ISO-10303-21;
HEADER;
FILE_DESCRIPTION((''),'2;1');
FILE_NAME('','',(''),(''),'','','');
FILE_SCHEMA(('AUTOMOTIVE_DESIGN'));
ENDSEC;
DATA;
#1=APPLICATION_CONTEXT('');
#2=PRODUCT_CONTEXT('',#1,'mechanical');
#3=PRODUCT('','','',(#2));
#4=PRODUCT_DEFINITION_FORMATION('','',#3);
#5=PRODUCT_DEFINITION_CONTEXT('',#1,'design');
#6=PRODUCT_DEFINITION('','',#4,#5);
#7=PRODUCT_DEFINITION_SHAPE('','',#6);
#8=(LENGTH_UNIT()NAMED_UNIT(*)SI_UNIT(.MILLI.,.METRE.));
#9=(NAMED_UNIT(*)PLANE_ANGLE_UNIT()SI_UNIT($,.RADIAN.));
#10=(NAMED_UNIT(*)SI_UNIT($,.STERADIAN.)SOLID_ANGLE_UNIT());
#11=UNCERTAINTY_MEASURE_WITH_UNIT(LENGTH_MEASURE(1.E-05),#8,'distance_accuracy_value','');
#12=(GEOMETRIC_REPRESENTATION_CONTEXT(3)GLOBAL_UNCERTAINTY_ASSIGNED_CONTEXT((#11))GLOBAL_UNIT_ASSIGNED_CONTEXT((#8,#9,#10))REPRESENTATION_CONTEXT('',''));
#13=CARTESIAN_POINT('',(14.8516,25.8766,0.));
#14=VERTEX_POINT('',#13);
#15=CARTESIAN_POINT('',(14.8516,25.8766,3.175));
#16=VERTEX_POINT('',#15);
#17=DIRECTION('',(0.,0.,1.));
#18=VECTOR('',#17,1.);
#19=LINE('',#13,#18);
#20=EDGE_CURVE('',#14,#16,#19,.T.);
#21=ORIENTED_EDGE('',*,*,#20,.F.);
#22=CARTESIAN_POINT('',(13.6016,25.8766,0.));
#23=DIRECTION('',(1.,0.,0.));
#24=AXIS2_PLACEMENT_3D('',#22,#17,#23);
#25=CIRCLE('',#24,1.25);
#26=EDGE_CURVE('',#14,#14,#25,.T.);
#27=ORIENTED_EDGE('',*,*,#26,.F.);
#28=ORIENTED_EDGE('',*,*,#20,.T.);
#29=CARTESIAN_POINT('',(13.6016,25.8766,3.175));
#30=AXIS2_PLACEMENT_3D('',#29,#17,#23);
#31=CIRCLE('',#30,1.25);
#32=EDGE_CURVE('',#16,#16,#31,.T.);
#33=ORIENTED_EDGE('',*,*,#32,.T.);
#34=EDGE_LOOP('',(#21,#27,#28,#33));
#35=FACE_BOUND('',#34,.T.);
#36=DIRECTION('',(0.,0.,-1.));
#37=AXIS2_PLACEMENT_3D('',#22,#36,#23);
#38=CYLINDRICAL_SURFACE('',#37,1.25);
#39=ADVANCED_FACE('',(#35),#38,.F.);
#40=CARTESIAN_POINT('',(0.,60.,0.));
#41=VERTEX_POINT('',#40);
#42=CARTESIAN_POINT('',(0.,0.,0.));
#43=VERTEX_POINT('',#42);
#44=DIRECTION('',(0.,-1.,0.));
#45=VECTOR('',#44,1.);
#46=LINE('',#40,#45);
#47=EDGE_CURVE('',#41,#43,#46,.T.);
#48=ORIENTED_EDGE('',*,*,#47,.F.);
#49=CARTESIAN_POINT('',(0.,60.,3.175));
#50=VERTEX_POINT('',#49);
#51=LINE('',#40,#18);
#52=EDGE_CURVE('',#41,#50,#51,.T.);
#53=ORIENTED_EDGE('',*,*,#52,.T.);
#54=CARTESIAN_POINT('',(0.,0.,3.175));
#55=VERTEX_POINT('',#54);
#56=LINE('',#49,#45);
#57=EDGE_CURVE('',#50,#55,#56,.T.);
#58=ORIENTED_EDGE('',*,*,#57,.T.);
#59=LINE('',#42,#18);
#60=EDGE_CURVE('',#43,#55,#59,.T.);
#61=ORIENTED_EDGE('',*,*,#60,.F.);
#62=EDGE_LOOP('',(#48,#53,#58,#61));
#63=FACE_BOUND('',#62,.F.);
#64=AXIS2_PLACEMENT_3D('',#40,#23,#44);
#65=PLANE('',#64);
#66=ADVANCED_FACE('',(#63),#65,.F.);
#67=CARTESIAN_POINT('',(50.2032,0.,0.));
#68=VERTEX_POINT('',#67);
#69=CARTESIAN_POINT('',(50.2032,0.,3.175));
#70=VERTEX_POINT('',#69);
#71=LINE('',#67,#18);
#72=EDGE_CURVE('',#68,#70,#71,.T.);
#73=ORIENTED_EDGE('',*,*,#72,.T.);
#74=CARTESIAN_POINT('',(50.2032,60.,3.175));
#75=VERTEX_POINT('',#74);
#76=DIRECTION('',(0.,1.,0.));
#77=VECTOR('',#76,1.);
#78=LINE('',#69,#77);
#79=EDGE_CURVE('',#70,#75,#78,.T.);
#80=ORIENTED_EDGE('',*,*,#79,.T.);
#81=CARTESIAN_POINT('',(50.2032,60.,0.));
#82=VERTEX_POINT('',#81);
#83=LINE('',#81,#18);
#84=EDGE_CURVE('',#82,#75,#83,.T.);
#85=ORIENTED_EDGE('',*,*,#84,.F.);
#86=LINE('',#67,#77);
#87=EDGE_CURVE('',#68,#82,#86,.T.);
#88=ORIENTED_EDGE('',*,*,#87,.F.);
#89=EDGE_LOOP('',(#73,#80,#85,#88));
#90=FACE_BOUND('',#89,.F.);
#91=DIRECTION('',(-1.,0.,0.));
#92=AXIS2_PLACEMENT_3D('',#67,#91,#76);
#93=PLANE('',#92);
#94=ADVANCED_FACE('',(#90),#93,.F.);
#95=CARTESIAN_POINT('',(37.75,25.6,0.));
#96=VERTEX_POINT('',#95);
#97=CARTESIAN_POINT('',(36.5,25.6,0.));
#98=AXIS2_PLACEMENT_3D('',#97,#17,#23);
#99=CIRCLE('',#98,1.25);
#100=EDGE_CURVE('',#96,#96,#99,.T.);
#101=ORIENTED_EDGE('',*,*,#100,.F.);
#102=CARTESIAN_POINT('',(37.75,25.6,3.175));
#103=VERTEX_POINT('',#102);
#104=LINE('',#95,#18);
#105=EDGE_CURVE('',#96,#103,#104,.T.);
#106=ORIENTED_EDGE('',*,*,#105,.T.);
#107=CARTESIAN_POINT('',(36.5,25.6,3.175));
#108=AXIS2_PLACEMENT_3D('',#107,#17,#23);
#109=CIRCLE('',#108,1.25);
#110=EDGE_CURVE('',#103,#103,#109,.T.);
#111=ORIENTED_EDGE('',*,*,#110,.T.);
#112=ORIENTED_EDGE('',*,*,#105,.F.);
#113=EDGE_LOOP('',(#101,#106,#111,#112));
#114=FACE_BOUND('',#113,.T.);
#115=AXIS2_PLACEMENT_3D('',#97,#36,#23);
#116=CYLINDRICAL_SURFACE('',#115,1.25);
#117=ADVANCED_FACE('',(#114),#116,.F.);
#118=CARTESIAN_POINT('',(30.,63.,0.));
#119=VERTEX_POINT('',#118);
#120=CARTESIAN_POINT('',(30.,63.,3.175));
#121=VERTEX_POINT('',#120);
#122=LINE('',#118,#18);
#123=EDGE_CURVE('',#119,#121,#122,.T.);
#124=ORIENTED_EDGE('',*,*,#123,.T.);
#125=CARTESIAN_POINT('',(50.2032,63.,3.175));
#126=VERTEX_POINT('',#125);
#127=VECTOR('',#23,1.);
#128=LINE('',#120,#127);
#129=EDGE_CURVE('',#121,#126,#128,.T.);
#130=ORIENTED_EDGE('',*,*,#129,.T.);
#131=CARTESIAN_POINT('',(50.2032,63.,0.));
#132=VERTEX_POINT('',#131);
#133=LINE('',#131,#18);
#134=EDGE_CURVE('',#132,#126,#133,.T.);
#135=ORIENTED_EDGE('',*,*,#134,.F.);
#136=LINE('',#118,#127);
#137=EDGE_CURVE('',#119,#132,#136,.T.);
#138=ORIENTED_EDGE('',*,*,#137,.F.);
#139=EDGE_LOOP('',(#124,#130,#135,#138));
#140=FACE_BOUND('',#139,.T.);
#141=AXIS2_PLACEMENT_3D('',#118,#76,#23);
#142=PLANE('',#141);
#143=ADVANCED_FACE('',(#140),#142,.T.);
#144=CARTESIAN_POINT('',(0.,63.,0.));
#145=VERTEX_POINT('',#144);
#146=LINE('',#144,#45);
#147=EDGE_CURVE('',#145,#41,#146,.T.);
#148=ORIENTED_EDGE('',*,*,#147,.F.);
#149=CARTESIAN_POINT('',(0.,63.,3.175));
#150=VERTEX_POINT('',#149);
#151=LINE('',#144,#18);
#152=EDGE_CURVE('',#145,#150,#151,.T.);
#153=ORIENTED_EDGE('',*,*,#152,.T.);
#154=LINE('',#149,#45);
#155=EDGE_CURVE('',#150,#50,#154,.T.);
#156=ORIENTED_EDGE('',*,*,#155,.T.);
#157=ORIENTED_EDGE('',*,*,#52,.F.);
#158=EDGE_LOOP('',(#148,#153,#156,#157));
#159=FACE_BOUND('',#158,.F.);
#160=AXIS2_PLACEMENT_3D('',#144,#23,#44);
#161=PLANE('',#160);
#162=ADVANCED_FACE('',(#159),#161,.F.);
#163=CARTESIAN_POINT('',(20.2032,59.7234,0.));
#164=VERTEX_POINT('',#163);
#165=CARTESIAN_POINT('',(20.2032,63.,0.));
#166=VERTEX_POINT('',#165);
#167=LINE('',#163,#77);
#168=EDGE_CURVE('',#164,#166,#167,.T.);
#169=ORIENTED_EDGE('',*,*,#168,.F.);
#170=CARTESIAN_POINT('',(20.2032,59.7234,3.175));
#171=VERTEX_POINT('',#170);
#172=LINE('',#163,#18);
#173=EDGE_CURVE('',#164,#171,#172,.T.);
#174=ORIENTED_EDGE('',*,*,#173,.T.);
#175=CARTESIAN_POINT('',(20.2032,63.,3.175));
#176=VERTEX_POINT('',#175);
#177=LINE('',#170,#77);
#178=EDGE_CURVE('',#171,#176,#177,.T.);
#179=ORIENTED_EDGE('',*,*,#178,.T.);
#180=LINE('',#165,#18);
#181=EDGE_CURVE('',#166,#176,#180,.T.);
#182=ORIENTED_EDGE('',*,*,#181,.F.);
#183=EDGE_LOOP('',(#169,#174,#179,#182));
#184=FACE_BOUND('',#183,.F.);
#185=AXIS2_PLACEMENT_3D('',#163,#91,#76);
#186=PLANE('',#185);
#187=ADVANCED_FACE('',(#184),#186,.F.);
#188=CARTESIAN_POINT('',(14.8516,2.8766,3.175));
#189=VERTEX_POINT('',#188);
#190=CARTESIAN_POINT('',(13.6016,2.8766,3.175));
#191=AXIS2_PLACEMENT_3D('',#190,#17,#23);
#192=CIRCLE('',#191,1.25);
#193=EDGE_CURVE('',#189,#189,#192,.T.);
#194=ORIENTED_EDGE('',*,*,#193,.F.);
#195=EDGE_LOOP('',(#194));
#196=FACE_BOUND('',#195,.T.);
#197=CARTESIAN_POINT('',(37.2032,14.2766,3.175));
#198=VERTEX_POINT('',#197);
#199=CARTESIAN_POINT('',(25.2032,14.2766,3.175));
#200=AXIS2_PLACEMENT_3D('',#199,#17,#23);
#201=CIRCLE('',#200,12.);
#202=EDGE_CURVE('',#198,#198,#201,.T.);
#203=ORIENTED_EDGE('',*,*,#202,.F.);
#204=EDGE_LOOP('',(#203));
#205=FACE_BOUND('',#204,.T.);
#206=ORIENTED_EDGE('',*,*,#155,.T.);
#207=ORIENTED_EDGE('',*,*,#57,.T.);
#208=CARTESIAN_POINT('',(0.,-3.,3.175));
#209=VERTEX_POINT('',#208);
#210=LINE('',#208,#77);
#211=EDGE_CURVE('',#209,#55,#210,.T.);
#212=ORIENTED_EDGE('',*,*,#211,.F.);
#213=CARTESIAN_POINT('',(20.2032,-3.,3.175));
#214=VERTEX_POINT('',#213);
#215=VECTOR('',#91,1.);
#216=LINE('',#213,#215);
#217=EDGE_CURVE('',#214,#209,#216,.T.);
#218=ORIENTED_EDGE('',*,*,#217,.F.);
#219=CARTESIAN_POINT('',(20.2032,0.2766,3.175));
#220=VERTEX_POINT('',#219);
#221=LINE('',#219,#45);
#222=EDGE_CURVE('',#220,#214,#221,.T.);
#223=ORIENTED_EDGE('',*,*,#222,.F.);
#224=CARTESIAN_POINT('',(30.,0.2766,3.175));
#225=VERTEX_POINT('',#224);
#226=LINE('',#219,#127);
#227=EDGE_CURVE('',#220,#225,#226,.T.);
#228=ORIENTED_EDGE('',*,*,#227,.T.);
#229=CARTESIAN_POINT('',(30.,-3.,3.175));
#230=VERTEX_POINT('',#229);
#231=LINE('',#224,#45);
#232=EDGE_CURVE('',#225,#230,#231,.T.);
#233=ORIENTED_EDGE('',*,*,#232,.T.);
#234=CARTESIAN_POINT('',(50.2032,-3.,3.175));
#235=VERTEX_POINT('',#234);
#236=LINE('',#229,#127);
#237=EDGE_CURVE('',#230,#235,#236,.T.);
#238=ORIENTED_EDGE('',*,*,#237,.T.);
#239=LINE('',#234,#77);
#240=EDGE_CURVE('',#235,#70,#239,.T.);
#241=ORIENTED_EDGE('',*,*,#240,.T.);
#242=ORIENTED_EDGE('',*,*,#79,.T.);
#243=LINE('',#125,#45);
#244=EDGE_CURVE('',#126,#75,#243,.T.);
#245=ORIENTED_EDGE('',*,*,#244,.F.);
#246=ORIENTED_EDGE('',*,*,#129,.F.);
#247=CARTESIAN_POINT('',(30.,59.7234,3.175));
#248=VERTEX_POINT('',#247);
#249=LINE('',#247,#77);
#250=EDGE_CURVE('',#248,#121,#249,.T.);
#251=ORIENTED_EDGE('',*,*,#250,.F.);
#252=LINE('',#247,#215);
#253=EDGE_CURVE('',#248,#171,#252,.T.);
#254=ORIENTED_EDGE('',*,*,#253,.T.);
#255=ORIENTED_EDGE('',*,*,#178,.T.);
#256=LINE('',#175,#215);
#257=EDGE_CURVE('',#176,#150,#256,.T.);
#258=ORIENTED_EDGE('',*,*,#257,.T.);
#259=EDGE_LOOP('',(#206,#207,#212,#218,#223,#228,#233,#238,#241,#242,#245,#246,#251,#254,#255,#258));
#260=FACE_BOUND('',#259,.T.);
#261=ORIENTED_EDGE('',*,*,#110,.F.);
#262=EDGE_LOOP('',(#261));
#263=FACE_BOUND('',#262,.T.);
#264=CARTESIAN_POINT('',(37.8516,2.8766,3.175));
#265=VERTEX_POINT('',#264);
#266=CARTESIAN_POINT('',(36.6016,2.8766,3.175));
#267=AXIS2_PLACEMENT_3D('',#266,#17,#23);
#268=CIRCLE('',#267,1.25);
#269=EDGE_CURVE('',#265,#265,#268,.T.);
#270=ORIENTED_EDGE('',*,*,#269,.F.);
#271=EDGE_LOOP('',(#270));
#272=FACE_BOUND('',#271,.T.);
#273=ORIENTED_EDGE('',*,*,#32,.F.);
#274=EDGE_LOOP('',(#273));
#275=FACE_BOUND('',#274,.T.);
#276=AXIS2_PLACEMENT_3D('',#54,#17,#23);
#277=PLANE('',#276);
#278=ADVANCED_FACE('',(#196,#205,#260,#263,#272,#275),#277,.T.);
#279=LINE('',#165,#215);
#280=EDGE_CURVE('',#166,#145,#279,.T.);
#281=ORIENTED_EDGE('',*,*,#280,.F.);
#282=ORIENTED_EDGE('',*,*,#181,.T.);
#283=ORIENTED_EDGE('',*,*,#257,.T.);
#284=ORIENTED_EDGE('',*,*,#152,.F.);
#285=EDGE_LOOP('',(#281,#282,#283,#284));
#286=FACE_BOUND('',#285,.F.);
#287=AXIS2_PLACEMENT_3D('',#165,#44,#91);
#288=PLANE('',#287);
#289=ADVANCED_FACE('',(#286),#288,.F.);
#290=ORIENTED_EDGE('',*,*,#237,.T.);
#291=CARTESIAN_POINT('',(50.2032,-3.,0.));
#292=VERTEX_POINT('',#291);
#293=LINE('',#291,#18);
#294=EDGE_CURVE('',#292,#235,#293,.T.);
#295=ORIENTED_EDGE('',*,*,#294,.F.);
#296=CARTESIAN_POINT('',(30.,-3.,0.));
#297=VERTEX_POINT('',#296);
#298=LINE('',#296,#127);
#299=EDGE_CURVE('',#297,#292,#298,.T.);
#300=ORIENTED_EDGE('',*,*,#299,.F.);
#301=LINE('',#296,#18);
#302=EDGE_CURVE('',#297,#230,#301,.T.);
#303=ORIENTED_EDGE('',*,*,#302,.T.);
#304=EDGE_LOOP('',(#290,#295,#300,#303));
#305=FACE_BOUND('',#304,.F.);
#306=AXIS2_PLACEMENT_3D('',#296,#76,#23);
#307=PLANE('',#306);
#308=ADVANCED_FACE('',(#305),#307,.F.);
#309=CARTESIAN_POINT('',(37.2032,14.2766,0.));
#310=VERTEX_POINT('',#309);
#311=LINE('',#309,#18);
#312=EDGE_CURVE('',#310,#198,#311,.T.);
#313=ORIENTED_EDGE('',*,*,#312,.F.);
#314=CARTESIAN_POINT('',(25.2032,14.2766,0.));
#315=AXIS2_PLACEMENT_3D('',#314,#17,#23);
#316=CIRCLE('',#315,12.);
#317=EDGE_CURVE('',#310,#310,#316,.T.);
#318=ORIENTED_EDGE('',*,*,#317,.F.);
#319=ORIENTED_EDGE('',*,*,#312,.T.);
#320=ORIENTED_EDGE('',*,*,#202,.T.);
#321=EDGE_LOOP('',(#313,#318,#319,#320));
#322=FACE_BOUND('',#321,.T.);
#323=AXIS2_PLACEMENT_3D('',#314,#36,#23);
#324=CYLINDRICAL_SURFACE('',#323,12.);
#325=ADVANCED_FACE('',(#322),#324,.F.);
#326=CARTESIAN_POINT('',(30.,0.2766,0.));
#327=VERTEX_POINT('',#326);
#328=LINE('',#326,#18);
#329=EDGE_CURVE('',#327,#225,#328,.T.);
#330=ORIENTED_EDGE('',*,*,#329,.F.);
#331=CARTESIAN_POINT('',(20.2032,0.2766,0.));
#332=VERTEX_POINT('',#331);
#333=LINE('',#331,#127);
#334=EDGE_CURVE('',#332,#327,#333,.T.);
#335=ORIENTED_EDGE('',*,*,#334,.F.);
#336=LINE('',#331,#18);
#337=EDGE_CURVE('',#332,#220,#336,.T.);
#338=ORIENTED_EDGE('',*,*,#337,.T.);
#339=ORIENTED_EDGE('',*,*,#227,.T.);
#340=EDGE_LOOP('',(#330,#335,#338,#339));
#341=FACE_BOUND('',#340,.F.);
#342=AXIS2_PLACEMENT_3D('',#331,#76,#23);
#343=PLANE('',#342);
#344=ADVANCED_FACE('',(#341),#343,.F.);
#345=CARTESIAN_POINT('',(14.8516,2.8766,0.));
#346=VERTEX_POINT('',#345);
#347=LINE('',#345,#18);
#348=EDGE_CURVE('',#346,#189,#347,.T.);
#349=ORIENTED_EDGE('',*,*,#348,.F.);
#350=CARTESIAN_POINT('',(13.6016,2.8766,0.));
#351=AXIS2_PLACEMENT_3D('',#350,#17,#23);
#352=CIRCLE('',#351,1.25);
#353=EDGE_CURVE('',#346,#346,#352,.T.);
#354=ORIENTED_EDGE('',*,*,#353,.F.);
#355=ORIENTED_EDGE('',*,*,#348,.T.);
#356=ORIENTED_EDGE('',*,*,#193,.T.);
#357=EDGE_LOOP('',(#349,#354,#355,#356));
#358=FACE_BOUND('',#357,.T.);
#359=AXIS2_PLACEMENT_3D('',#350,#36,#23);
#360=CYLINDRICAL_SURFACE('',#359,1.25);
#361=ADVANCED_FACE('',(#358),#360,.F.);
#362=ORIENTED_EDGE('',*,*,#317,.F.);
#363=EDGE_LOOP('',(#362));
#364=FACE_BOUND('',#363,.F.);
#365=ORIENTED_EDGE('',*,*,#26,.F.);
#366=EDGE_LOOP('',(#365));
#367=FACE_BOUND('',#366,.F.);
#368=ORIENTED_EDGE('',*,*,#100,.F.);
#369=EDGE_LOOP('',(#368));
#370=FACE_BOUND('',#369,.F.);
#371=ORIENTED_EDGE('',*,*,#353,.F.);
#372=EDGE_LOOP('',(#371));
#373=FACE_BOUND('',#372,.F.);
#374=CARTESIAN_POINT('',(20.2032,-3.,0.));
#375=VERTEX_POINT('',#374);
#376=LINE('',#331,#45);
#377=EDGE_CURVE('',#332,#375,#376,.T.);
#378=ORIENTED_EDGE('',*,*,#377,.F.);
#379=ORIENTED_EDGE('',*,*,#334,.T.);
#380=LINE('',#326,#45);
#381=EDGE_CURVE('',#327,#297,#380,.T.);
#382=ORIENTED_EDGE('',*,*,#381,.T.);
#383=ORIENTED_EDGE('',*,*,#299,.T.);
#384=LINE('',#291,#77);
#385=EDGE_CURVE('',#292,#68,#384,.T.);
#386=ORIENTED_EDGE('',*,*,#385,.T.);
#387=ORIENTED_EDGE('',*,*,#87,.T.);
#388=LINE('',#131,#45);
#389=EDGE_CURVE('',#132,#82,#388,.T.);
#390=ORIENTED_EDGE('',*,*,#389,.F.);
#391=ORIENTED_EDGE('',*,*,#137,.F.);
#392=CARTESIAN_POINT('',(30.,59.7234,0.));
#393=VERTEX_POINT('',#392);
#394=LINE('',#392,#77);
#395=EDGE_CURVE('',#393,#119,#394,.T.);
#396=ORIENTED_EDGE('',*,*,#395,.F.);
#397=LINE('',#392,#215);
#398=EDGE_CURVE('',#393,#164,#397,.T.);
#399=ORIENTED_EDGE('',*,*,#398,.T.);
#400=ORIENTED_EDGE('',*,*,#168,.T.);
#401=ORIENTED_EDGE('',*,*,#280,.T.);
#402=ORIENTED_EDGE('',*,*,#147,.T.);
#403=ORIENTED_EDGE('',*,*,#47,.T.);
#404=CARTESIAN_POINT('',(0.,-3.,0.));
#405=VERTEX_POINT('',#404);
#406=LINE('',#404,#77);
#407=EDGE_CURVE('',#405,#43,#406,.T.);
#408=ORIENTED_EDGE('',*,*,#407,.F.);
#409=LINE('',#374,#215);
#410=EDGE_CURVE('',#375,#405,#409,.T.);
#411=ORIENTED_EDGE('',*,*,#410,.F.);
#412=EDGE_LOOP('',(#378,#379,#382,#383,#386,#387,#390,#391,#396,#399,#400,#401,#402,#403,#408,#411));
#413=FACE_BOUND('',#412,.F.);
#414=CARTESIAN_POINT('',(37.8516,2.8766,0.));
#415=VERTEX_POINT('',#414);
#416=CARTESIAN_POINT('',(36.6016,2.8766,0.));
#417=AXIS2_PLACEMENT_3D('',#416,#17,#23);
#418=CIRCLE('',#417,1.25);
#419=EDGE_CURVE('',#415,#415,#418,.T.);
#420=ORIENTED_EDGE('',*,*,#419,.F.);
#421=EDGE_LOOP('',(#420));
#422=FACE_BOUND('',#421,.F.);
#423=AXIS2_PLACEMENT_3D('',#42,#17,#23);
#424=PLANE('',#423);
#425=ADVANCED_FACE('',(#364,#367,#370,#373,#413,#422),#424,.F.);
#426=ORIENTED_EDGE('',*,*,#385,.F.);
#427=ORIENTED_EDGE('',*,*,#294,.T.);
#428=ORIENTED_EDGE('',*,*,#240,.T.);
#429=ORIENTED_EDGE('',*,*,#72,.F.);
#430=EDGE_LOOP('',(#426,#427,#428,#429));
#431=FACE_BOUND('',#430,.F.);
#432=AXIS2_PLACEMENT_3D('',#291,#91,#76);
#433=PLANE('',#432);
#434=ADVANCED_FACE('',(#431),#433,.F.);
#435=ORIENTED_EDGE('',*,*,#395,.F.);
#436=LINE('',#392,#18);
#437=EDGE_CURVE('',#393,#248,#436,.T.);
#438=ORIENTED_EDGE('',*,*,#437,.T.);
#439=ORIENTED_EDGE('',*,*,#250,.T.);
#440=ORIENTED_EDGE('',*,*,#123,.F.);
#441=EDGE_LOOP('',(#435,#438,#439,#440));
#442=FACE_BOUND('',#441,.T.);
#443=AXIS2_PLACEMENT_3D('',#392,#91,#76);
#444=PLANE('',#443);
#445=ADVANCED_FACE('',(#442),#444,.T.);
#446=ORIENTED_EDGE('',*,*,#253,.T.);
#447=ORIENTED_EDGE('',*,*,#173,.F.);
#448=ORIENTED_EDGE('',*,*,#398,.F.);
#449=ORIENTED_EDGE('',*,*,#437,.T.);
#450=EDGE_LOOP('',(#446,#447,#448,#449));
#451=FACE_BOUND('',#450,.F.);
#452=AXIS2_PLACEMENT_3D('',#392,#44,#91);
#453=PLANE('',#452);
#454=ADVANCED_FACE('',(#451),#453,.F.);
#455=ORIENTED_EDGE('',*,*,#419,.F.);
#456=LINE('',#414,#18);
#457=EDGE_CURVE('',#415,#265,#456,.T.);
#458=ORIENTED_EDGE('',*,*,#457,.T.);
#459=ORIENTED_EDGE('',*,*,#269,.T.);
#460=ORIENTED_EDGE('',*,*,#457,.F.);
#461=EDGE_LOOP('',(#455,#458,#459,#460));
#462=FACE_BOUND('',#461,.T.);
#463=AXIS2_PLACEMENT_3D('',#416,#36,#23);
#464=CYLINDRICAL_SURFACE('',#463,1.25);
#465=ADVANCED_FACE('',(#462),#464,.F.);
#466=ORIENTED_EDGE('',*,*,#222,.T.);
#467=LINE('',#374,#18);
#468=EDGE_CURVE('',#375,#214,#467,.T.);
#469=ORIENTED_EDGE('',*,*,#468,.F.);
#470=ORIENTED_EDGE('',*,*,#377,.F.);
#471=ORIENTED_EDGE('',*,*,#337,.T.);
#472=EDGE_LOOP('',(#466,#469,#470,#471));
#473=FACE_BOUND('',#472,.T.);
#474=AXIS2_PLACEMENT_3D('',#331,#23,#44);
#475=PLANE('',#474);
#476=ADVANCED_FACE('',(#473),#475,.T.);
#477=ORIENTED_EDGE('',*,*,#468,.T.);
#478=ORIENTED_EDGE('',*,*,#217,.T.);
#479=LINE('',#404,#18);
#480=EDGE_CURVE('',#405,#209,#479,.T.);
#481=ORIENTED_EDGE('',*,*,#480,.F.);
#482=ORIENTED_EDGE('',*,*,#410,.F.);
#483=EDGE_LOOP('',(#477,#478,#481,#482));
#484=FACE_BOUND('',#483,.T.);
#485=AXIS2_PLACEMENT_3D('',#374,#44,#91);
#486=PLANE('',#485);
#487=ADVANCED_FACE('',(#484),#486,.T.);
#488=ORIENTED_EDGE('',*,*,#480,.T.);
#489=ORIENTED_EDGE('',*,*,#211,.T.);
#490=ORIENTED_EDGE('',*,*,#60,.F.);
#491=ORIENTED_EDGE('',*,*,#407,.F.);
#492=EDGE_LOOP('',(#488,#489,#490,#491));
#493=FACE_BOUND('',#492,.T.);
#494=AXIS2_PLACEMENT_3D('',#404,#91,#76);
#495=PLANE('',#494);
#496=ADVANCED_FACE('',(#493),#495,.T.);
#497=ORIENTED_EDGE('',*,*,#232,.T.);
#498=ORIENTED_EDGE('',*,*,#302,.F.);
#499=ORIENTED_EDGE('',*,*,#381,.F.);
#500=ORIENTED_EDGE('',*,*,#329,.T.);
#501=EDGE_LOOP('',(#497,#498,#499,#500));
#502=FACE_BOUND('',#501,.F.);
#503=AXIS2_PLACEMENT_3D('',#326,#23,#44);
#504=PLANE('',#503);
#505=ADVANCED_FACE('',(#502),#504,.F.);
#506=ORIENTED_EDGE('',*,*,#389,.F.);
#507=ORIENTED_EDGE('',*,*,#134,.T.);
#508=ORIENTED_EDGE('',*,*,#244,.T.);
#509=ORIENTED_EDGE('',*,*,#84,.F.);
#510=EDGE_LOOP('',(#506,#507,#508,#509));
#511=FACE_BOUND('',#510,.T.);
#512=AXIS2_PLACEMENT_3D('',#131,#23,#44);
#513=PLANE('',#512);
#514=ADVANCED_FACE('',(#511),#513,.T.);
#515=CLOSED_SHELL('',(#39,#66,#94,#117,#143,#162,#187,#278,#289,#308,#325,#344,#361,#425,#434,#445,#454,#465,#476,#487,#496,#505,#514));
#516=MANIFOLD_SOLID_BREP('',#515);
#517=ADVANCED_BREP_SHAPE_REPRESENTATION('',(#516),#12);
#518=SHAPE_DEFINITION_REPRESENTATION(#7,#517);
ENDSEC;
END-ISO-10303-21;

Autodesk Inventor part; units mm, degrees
ref_plane "YZ Plane" through (0, 0, 0) normal (1, 0, 0) x (0, 1, 0)
ref_plane "XZ Plane" through (0, 0, 0) normal (0, 1, 0) x (-1, 0, 0)
ref_plane "XY Plane" through (0, 0, 0) normal (0, 0, 1) x (1, 0, 0)
sketch "Sketch1" plane through (0, 0, 0) normal (0, 0, 1) x (1, 0, 0)
  line L0 (50.2032, 0) -> (50.2032, 60)
  line L1 (0, 60) -> (0, 0)
  line L2 (20.2032, 0.2766) -> (20.2032, -3)
  line L3 (20.2032, -3) -> (0, -3)
  line L4 (0, -3) -> (0, 0)
  line L5 (30, 0.2766) -> (30, -3)
  line L6 (30, -3) -> (50.2032, -3)
  line L7 (50.2032, -3) -> (50.2032, 0)
  line L8 (20.2032, 0.2766) -> (30, 0.2766)
  line L9 (20.2032, 59.7234) -> (20.2032, 63)
  line L10 (20.2032, 63) -> (0, 63)
  line L11 (0, 63) -> (0, 60)
  line L12 (30, 59.7234) -> (30, 63)
  line L13 (30, 63) -> (50.2032, 63)
  line L14 (50.2032, 63) -> (50.2032, 60)
  line L15 (30, 59.7234) -> (20.2032, 59.7234)
  circle A0 centre (25.2032, 14.2766) radius 12
  circle A1 centre (13.6016, 2.8766) radius 1.25
  circle A2 centre (36.6016, 2.8766) radius 1.25
  circle A3 centre (13.6016, 25.8766) radius 1.25
  circle A4 centre (36.5, 25.6) radius 1.25
  point P0 (25.1016, 0.2766)
  dimension "d1" = 60
  dimension "d2" = 20.2032
  dimension "d3" = 3.2766
  dimension "d4" = 20.2032
  dimension "d5" = 20.2032
  dimension "d6" = 3.2766
  dimension "d7" = 20.2032
  dimension "d8" = 24
  dimension "d9" = 14
  dimension "d10" = 25
  dimension "d11" = 2.5
  dimension "d12" = 2.6
  dimension "d13" = 11.5
  dimension "d14" = 2.5
  dimension "d15" = 11.5
  dimension "d16" = 2.5
  dimension "d17" = 23
  dimension "d18" = 2.5
  dimension "d21" = 50.2032
extrude "Extrusion1" add sketch "Sketch1" along normal blind 3.175
equation "\"d4\" = d2"
equation "\"d5\" = d2"
equation "\"d6\" = d3"
equation "\"d7\" = d2"
equation "\"d15\" = d13"
properties part number "side_plate"
